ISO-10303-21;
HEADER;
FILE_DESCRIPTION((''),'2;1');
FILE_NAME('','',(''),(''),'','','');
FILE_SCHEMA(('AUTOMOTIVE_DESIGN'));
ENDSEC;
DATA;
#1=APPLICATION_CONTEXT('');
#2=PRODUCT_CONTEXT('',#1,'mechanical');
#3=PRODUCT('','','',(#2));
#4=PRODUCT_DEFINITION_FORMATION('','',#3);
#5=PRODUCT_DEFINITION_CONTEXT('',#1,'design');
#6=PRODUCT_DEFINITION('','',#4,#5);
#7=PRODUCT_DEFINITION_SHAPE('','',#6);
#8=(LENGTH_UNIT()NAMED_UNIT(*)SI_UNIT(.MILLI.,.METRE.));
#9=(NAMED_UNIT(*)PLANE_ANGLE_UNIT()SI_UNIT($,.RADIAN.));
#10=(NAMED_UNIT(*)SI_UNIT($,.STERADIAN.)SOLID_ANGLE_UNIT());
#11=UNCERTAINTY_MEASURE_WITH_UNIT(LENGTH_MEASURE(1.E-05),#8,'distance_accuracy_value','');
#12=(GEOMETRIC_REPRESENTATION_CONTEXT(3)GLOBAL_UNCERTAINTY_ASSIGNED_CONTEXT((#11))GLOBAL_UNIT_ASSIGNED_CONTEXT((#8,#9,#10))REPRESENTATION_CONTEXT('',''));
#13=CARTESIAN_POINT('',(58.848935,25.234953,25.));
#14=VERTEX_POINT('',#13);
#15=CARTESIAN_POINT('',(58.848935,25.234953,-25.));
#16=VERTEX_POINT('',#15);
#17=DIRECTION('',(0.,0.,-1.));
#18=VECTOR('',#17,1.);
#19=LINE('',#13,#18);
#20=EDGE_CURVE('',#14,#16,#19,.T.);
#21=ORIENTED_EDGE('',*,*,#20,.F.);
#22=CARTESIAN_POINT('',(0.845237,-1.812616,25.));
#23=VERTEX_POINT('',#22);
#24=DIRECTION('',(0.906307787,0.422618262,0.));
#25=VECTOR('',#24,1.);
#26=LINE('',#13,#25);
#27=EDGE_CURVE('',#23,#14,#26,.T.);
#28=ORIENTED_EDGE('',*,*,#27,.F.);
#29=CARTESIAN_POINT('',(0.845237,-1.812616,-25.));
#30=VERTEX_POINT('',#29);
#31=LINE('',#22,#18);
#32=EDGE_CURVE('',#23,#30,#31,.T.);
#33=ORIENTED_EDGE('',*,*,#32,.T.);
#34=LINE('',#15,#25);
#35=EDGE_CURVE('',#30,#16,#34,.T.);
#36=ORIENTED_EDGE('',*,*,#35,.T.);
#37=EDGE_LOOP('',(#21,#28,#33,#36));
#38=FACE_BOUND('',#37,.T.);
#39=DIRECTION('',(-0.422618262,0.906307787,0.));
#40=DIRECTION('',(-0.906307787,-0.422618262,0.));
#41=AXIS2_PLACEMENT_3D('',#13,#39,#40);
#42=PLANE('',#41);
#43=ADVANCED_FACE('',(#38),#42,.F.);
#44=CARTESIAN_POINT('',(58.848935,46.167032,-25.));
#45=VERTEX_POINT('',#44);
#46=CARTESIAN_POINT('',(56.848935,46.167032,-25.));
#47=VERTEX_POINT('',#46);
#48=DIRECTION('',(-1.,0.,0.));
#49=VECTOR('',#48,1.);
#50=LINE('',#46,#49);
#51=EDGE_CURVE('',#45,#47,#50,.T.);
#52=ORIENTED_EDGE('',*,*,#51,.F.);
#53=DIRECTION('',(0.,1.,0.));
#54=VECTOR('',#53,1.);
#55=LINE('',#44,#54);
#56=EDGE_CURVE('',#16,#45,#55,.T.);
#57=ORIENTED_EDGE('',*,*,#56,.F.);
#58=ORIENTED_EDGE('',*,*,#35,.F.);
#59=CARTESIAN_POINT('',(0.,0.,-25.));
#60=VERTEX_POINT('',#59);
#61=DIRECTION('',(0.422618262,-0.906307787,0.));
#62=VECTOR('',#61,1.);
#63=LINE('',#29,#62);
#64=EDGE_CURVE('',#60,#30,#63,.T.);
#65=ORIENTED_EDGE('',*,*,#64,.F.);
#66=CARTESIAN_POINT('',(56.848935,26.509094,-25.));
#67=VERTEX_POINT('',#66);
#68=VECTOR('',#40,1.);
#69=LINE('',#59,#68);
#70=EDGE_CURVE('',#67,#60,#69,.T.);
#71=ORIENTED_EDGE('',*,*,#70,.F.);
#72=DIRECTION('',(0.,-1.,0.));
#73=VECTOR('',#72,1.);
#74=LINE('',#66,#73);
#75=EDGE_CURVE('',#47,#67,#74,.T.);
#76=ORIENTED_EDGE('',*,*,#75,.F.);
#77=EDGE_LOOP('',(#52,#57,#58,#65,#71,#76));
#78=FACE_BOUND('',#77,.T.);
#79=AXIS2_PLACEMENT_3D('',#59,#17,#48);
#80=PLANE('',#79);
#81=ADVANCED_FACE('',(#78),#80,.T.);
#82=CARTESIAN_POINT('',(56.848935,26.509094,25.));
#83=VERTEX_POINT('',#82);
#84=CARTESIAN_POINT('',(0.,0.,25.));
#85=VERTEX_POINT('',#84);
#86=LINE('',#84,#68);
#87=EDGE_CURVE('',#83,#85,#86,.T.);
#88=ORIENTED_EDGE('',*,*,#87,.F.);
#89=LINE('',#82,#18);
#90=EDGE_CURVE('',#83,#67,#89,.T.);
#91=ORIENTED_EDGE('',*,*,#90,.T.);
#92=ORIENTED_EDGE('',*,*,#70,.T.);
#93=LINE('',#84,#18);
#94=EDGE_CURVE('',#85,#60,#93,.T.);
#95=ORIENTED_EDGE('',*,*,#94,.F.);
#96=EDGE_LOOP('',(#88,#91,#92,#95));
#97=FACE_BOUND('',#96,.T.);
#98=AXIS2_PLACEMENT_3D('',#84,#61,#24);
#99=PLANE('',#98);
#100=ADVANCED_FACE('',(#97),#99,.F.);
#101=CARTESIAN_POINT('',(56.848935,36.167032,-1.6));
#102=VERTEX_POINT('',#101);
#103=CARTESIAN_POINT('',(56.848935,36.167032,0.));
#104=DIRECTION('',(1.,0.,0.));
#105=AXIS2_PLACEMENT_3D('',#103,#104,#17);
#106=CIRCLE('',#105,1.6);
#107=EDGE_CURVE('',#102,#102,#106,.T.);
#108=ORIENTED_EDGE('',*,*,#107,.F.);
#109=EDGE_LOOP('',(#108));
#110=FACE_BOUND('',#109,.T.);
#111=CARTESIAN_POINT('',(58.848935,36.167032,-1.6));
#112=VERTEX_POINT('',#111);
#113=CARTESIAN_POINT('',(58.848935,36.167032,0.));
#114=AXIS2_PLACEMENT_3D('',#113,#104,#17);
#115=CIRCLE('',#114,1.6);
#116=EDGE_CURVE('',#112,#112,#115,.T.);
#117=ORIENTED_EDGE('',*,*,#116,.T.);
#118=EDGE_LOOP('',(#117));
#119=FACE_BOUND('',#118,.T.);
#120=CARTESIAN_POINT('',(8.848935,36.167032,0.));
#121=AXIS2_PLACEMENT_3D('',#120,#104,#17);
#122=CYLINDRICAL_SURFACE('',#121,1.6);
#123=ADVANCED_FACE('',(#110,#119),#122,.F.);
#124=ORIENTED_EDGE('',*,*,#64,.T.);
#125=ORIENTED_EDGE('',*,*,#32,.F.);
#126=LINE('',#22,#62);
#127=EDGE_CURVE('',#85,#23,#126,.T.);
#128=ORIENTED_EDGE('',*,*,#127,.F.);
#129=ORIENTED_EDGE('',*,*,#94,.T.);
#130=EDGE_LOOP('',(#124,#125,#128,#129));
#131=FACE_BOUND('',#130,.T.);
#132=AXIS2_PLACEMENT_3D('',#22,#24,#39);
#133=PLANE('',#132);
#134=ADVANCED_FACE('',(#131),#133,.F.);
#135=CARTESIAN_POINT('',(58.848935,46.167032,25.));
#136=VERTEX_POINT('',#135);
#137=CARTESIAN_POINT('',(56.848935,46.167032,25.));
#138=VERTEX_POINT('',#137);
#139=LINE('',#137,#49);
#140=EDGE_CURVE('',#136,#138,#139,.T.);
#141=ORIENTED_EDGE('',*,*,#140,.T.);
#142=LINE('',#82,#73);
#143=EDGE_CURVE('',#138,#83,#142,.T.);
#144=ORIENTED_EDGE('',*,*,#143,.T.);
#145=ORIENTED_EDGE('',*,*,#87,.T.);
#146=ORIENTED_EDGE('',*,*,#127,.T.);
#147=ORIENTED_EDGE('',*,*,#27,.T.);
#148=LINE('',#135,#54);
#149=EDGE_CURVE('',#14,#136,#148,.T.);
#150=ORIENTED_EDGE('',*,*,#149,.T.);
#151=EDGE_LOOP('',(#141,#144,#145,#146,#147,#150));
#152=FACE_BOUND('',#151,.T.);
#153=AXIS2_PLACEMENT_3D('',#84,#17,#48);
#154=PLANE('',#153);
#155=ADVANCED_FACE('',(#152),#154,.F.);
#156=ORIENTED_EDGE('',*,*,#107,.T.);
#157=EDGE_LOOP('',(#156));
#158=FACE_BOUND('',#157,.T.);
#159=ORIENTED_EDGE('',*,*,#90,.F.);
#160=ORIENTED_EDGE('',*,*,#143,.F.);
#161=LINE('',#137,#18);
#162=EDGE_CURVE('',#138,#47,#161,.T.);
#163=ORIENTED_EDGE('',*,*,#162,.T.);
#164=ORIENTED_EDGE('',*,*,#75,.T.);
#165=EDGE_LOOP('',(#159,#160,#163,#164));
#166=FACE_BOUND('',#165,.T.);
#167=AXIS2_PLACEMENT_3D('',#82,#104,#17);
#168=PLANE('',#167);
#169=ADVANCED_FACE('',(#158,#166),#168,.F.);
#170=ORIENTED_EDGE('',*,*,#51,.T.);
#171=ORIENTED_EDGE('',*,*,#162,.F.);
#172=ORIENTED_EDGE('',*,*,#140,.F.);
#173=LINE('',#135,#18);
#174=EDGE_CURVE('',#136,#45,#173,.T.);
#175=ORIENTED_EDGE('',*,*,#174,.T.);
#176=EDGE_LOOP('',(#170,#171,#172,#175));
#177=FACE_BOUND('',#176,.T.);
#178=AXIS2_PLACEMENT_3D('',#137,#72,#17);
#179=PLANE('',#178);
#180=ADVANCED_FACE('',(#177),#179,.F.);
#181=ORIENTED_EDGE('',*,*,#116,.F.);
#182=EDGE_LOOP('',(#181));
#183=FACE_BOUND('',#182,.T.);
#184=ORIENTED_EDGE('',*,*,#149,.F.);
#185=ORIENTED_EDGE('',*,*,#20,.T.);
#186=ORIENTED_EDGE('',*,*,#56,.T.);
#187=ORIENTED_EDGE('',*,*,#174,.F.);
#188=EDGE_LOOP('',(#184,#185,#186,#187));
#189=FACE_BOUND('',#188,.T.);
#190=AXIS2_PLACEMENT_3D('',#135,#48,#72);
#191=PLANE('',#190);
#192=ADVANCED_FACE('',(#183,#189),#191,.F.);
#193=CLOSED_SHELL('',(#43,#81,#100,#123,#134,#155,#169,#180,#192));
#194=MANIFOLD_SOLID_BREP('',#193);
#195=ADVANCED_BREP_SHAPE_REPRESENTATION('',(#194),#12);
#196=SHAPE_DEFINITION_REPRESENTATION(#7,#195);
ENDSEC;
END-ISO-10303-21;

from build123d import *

# Parameters (mm, degrees)
EXTRUDE_1_DEPTH     = 25
SKETCH_2_R          = 1.6
CUT_EXTRUDE_1_DEPTH = 50


with BuildPart() as part:
    # ｽｹｯﾁ1 → ﾎﾞｽ - 押し出し1 (new body, symmetric)
    with BuildSketch(Plane.XY):
        Polygon((0, 0), (56.848934894, 26.509093699), (56.848934894, 46.167032185), (58.848934894, 46.167032185), (58.848934894, 25.234953177), (0.845236523, -1.812615574), align=None)
    extrude(amount=EXTRUDE_1_DEPTH, both=True)

    # ｽｹｯﾁ2 → ｶｯﾄ - 押し出し1 (cut)
    with BuildSketch(Plane(origin=(58.848934894, 0, 0), x_dir=(0, 0, -1), z_dir=(1, 0, 0))):
        with Locations((0, 36.167032185)):
            Circle(SKETCH_2_R)
    extrude(amount=-CUT_EXTRUDE_1_DEPTH, mode=Mode.SUBTRACT)


solid = part.part
